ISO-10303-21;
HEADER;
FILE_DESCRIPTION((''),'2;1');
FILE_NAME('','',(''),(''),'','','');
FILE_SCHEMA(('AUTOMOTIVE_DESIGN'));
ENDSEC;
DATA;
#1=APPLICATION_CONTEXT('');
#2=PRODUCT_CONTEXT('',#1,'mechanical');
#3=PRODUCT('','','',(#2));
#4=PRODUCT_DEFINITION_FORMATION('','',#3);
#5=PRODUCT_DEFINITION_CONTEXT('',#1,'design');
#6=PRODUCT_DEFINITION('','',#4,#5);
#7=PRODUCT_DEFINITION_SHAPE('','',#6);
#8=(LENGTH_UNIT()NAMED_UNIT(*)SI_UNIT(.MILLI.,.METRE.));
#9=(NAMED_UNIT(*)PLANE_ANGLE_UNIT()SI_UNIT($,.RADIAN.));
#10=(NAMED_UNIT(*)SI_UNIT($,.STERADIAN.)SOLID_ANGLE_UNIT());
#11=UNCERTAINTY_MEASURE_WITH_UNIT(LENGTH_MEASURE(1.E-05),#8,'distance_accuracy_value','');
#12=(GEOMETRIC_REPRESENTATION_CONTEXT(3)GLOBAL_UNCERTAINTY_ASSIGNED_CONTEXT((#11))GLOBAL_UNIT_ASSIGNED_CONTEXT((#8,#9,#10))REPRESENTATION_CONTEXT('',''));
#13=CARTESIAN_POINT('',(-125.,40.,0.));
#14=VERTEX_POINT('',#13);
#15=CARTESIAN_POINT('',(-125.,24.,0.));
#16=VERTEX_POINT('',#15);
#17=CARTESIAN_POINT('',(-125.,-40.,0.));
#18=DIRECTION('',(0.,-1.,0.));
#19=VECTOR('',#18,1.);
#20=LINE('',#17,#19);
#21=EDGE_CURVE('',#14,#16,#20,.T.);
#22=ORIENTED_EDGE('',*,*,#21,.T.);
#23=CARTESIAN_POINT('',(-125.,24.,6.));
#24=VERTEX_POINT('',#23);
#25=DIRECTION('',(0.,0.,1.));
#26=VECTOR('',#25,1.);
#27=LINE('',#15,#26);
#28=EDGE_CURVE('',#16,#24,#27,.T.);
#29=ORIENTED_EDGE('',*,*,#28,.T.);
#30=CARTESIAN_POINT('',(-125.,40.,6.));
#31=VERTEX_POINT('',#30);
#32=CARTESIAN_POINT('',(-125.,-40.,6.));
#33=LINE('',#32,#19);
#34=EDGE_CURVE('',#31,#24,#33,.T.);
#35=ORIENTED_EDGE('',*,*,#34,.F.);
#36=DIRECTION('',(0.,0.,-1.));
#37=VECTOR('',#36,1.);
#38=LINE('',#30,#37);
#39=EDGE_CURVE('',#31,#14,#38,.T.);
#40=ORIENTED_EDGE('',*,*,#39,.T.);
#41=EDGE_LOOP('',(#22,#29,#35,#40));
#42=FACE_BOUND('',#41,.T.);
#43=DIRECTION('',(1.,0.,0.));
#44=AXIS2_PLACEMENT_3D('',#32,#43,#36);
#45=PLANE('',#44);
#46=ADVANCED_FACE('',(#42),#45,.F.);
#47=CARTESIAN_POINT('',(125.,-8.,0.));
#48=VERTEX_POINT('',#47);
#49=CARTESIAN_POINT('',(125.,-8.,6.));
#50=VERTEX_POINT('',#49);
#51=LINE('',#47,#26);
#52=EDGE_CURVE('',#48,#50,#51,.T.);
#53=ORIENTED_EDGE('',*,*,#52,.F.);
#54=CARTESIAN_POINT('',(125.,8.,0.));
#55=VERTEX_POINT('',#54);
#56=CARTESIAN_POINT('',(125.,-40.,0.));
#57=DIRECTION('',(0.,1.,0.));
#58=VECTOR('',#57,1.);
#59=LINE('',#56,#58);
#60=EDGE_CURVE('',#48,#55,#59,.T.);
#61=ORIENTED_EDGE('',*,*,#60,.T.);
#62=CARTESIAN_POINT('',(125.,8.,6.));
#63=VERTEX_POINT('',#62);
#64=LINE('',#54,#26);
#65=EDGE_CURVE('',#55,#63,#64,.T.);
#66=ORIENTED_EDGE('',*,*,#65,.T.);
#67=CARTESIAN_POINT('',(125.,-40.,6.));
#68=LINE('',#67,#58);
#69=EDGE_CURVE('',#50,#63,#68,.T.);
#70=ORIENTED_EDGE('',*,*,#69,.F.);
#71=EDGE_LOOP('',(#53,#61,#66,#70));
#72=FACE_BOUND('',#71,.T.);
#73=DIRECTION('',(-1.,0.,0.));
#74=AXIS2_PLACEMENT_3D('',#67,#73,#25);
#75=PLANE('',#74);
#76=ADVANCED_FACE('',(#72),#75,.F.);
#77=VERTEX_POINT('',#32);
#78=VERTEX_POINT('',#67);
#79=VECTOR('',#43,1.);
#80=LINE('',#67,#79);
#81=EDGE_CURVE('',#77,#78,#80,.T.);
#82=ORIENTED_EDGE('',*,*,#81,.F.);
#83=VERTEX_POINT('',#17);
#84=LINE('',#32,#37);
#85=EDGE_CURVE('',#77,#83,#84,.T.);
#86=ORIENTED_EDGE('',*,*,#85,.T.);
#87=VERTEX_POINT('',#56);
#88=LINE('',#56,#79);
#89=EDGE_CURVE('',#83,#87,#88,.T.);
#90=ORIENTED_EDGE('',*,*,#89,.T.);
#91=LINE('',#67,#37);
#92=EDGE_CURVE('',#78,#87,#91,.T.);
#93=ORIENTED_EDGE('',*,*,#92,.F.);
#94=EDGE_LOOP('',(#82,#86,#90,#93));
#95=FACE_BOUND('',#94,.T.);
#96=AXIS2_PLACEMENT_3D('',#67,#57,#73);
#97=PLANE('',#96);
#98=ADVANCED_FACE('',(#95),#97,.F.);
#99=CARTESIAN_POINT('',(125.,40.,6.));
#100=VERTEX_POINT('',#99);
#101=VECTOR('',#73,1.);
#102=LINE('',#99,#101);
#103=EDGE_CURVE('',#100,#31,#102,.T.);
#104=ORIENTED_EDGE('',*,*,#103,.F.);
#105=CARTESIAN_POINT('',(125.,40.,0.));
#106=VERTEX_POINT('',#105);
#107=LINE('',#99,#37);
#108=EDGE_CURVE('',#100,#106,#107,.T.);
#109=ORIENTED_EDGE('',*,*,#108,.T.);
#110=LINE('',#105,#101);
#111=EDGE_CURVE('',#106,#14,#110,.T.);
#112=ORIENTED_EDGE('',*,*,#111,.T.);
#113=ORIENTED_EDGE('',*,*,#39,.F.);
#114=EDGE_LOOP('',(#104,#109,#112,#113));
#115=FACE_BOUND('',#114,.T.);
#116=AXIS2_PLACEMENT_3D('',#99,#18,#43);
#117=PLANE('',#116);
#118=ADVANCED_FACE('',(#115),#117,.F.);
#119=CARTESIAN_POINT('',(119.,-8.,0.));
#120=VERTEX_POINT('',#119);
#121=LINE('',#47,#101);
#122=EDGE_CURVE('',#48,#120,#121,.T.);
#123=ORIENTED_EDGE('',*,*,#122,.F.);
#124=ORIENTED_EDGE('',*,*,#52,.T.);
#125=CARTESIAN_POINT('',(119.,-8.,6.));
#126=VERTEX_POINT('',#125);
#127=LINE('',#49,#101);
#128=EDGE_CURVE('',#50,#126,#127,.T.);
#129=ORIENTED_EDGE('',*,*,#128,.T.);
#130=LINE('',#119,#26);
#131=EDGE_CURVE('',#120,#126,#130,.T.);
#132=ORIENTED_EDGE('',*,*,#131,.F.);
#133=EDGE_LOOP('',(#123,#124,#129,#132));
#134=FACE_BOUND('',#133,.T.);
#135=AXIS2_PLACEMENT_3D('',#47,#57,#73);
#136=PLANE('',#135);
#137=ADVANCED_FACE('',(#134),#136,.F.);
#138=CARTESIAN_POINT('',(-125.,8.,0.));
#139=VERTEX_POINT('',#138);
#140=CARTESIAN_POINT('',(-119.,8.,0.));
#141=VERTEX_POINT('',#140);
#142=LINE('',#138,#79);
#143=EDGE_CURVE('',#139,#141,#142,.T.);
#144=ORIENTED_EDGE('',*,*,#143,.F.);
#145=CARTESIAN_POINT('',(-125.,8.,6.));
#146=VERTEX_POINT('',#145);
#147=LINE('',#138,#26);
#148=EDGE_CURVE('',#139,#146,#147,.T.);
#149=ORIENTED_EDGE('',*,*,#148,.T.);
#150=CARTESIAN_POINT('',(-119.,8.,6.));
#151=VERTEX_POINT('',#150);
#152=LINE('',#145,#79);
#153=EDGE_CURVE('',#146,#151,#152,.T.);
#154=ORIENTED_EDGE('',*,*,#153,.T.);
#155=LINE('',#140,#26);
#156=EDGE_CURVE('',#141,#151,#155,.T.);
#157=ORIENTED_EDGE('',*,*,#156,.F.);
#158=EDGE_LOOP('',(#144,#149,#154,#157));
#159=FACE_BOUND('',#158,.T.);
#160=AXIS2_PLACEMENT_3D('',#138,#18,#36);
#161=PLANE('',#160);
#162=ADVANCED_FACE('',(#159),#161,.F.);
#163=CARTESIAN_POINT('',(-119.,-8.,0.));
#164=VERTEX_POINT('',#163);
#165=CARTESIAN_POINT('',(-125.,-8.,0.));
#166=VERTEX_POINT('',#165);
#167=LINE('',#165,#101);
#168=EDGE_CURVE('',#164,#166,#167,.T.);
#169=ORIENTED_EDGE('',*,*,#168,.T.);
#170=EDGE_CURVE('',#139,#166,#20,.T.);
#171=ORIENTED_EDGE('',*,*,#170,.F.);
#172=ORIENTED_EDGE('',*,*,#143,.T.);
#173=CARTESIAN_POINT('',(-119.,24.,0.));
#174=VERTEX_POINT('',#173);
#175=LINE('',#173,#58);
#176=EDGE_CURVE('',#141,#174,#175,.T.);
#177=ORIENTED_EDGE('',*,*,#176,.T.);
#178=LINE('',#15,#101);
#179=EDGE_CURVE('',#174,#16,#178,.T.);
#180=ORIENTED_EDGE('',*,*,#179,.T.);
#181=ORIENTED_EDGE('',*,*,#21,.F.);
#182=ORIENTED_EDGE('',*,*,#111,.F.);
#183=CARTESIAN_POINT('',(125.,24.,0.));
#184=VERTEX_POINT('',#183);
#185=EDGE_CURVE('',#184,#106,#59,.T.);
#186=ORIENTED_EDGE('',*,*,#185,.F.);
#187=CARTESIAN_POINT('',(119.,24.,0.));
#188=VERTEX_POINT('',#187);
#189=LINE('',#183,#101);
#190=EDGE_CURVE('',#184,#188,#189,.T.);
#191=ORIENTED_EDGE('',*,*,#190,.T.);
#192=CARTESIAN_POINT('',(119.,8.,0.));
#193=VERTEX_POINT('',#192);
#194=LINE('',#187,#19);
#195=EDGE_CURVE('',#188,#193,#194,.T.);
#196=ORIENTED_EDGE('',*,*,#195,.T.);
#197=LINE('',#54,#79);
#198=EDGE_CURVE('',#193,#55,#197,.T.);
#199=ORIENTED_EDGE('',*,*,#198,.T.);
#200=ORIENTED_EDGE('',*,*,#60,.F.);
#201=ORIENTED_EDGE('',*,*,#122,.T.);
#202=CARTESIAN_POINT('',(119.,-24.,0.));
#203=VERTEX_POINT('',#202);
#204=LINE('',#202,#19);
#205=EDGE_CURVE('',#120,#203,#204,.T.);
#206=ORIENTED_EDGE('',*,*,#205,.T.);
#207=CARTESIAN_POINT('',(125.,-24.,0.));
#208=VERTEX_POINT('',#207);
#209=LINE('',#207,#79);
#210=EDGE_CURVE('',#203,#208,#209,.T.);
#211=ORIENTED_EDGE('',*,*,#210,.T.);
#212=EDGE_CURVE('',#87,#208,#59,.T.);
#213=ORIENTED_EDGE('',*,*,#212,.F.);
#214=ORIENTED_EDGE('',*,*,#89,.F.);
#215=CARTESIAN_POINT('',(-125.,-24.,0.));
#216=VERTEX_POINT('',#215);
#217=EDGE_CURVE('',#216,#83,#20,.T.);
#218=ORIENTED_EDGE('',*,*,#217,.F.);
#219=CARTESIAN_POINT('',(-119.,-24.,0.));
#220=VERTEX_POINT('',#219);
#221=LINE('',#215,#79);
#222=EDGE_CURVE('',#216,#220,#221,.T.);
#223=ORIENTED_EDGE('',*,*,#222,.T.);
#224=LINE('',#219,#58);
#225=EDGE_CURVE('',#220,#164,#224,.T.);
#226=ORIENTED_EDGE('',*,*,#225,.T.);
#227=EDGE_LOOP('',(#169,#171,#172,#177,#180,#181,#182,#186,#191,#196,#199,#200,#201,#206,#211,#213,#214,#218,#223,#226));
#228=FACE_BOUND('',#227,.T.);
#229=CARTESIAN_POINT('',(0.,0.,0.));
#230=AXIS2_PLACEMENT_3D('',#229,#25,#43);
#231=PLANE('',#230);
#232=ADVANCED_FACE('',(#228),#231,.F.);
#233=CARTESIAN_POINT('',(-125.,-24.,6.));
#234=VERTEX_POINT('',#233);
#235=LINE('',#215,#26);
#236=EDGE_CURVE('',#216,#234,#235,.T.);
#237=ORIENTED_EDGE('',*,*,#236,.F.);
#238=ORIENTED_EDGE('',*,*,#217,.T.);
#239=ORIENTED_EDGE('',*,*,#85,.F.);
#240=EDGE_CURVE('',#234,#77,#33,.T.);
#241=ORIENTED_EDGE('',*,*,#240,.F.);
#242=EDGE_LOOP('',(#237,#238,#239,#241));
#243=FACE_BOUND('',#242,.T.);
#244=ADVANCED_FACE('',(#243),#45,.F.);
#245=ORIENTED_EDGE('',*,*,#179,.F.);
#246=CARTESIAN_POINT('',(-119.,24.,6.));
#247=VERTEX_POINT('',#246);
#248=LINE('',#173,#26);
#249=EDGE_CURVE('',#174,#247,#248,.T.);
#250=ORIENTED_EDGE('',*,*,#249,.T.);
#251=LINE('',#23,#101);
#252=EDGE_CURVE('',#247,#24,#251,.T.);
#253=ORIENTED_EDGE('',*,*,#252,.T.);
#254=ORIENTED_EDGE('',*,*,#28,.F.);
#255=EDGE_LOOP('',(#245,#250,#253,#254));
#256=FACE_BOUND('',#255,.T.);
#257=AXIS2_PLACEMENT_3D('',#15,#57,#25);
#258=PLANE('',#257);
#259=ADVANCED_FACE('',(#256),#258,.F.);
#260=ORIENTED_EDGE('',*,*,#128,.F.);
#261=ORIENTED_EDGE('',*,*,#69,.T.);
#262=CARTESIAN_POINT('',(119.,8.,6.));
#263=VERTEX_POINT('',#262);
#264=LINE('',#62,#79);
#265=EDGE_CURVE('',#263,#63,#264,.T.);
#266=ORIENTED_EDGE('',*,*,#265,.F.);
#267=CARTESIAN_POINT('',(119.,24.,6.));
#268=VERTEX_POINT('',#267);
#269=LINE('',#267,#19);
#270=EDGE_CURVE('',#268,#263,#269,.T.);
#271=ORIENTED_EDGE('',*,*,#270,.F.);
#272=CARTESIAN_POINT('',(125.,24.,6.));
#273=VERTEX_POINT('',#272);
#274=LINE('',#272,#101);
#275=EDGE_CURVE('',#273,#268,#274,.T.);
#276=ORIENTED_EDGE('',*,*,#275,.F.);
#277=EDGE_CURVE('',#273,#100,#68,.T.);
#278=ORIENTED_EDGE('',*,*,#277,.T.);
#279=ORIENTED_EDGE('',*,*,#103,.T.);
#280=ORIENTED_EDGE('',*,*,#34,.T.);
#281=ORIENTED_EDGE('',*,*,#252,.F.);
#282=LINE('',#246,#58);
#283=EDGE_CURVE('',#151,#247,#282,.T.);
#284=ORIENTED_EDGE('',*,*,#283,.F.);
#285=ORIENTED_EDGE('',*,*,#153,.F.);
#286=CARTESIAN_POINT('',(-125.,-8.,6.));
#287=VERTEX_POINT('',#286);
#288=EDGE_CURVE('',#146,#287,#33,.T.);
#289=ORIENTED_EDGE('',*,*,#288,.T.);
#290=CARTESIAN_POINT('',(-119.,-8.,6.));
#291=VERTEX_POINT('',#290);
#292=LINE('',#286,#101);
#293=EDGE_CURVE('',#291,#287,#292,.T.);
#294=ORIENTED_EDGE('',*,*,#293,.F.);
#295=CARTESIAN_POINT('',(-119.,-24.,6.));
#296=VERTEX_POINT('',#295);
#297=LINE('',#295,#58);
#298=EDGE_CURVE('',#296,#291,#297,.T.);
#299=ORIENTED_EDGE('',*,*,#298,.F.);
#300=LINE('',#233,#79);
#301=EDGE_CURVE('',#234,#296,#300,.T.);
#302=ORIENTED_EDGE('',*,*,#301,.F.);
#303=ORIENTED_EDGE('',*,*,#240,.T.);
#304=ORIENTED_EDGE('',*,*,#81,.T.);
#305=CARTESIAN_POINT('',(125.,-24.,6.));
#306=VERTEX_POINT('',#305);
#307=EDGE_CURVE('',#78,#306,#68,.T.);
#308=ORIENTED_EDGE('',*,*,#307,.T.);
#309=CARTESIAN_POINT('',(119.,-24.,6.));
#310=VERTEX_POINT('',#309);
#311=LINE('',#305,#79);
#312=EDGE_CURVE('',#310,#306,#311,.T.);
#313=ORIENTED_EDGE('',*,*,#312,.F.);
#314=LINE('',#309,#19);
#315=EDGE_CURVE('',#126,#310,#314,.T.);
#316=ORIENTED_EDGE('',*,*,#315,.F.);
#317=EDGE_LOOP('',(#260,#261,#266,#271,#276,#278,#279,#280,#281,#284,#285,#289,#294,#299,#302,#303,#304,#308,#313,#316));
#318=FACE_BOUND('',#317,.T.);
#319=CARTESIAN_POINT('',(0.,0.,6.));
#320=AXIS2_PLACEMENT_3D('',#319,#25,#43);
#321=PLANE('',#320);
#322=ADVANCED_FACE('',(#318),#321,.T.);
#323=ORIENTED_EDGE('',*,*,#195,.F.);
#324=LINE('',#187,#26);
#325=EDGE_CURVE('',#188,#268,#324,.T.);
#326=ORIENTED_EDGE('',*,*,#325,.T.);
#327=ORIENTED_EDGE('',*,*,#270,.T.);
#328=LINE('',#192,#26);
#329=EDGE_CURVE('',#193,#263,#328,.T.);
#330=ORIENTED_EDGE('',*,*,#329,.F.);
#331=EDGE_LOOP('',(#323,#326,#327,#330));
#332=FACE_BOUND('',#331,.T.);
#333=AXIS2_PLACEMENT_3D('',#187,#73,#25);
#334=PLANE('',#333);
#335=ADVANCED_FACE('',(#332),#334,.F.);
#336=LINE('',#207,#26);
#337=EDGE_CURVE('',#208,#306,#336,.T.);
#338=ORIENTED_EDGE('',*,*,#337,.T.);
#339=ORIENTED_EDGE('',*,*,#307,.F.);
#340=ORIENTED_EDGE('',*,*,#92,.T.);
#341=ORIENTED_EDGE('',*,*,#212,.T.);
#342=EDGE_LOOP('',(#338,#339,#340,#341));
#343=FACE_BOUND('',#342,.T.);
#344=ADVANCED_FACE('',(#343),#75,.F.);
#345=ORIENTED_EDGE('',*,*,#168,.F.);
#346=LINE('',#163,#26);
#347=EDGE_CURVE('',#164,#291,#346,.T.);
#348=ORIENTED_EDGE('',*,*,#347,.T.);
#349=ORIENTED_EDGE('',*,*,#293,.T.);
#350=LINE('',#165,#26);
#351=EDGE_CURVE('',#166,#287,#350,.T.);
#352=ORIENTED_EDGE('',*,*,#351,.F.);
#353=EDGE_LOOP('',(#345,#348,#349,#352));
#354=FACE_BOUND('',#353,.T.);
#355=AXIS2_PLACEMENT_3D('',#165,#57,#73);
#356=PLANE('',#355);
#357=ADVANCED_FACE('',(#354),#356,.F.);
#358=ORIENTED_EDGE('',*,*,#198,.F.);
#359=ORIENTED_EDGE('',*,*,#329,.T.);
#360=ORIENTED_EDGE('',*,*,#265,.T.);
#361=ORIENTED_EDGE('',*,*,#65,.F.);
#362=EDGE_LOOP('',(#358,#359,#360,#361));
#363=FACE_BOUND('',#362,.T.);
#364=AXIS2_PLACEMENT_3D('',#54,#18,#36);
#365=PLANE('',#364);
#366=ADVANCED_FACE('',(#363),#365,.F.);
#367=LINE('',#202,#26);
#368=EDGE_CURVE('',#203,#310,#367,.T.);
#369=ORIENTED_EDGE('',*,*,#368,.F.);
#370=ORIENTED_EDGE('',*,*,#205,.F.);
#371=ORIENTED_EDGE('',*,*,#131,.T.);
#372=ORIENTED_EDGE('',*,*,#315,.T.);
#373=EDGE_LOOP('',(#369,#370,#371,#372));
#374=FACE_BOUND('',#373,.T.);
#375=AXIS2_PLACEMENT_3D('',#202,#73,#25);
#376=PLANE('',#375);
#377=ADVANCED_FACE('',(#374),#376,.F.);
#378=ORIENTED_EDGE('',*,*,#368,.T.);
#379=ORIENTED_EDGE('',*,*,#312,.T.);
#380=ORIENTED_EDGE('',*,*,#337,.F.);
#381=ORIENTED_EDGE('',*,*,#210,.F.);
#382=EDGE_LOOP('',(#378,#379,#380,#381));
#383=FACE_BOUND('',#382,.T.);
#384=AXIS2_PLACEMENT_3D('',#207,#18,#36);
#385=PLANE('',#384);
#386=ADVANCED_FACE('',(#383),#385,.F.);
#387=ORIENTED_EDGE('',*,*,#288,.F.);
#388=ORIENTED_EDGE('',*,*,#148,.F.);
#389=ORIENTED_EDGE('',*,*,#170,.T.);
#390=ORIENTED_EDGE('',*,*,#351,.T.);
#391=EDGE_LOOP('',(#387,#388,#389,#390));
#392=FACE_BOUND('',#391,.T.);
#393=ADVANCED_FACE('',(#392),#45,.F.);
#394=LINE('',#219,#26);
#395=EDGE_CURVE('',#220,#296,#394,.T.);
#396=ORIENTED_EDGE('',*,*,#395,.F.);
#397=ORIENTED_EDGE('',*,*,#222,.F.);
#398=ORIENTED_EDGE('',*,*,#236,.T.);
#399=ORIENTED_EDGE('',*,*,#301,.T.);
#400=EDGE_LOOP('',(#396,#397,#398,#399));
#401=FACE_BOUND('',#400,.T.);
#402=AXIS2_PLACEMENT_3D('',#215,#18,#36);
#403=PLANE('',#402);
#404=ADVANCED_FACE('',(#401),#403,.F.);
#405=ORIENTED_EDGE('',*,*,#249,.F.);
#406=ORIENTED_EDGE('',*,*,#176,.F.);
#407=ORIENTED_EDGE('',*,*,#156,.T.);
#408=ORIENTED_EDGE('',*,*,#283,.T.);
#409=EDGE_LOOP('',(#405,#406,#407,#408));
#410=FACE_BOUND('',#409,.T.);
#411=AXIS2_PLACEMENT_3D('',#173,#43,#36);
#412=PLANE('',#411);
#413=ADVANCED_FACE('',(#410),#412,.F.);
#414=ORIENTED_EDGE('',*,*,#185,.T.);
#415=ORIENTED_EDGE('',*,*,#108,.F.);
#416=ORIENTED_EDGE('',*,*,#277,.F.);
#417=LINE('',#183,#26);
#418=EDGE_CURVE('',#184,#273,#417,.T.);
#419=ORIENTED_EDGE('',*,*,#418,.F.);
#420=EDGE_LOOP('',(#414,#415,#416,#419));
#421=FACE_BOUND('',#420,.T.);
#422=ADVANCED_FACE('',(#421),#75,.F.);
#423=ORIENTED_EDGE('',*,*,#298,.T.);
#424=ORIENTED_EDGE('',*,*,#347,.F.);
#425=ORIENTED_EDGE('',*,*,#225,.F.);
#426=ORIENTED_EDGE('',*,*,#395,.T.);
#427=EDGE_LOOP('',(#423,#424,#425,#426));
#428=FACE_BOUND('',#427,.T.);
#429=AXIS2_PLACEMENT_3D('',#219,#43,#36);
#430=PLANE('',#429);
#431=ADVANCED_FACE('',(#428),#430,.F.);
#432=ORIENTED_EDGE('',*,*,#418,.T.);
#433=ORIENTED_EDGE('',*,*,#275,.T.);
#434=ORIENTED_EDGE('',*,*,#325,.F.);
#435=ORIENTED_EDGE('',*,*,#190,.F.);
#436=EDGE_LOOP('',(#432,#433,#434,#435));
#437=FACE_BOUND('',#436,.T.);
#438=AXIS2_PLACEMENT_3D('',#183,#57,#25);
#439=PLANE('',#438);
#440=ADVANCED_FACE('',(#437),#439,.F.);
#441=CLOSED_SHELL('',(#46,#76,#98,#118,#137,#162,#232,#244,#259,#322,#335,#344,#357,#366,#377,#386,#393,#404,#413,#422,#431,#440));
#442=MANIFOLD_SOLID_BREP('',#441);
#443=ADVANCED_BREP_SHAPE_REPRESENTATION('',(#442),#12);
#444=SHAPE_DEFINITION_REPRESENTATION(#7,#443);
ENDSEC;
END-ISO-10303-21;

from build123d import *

# Parameters (mm, degrees)
CROQUIS1_W              = 250
CROQUIS1_H              = 80
SALIENTE_EXTRUIR1_DEPTH = 6
CROQUIS2_W              = 6
CROQUIS2_H              = 16
CORTAR_EXTRUIR1_DEPTH   = 6


with BuildPart() as part:
    # Croquis1 → Saliente-Extruir1 (new body)
    with BuildSketch(Plane.XY):
        Rectangle(CROQUIS1_W, CROQUIS1_H)
    extrude(amount=SALIENTE_EXTRUIR1_DEPTH)

    # Croquis2 → Cortar-Extruir1 (cut)
    with BuildSketch(Plane.XY.offset(6)):
        with Locations((-122, -16)):
            Rectangle(CROQUIS2_W, CROQUIS2_H)
        with Locations((-122, 16)):
            Rectangle(CROQUIS2_W, CROQUIS2_H)
        with Locations((122, -16)):
            Rectangle(CROQUIS2_W, CROQUIS2_H)
        with Locations((122, 16)):
            Rectangle(CROQUIS2_W, CROQUIS2_H)
    extrude(amount=-CORTAR_EXTRUIR1_DEPTH, mode=Mode.SUBTRACT)


solid = part.part
